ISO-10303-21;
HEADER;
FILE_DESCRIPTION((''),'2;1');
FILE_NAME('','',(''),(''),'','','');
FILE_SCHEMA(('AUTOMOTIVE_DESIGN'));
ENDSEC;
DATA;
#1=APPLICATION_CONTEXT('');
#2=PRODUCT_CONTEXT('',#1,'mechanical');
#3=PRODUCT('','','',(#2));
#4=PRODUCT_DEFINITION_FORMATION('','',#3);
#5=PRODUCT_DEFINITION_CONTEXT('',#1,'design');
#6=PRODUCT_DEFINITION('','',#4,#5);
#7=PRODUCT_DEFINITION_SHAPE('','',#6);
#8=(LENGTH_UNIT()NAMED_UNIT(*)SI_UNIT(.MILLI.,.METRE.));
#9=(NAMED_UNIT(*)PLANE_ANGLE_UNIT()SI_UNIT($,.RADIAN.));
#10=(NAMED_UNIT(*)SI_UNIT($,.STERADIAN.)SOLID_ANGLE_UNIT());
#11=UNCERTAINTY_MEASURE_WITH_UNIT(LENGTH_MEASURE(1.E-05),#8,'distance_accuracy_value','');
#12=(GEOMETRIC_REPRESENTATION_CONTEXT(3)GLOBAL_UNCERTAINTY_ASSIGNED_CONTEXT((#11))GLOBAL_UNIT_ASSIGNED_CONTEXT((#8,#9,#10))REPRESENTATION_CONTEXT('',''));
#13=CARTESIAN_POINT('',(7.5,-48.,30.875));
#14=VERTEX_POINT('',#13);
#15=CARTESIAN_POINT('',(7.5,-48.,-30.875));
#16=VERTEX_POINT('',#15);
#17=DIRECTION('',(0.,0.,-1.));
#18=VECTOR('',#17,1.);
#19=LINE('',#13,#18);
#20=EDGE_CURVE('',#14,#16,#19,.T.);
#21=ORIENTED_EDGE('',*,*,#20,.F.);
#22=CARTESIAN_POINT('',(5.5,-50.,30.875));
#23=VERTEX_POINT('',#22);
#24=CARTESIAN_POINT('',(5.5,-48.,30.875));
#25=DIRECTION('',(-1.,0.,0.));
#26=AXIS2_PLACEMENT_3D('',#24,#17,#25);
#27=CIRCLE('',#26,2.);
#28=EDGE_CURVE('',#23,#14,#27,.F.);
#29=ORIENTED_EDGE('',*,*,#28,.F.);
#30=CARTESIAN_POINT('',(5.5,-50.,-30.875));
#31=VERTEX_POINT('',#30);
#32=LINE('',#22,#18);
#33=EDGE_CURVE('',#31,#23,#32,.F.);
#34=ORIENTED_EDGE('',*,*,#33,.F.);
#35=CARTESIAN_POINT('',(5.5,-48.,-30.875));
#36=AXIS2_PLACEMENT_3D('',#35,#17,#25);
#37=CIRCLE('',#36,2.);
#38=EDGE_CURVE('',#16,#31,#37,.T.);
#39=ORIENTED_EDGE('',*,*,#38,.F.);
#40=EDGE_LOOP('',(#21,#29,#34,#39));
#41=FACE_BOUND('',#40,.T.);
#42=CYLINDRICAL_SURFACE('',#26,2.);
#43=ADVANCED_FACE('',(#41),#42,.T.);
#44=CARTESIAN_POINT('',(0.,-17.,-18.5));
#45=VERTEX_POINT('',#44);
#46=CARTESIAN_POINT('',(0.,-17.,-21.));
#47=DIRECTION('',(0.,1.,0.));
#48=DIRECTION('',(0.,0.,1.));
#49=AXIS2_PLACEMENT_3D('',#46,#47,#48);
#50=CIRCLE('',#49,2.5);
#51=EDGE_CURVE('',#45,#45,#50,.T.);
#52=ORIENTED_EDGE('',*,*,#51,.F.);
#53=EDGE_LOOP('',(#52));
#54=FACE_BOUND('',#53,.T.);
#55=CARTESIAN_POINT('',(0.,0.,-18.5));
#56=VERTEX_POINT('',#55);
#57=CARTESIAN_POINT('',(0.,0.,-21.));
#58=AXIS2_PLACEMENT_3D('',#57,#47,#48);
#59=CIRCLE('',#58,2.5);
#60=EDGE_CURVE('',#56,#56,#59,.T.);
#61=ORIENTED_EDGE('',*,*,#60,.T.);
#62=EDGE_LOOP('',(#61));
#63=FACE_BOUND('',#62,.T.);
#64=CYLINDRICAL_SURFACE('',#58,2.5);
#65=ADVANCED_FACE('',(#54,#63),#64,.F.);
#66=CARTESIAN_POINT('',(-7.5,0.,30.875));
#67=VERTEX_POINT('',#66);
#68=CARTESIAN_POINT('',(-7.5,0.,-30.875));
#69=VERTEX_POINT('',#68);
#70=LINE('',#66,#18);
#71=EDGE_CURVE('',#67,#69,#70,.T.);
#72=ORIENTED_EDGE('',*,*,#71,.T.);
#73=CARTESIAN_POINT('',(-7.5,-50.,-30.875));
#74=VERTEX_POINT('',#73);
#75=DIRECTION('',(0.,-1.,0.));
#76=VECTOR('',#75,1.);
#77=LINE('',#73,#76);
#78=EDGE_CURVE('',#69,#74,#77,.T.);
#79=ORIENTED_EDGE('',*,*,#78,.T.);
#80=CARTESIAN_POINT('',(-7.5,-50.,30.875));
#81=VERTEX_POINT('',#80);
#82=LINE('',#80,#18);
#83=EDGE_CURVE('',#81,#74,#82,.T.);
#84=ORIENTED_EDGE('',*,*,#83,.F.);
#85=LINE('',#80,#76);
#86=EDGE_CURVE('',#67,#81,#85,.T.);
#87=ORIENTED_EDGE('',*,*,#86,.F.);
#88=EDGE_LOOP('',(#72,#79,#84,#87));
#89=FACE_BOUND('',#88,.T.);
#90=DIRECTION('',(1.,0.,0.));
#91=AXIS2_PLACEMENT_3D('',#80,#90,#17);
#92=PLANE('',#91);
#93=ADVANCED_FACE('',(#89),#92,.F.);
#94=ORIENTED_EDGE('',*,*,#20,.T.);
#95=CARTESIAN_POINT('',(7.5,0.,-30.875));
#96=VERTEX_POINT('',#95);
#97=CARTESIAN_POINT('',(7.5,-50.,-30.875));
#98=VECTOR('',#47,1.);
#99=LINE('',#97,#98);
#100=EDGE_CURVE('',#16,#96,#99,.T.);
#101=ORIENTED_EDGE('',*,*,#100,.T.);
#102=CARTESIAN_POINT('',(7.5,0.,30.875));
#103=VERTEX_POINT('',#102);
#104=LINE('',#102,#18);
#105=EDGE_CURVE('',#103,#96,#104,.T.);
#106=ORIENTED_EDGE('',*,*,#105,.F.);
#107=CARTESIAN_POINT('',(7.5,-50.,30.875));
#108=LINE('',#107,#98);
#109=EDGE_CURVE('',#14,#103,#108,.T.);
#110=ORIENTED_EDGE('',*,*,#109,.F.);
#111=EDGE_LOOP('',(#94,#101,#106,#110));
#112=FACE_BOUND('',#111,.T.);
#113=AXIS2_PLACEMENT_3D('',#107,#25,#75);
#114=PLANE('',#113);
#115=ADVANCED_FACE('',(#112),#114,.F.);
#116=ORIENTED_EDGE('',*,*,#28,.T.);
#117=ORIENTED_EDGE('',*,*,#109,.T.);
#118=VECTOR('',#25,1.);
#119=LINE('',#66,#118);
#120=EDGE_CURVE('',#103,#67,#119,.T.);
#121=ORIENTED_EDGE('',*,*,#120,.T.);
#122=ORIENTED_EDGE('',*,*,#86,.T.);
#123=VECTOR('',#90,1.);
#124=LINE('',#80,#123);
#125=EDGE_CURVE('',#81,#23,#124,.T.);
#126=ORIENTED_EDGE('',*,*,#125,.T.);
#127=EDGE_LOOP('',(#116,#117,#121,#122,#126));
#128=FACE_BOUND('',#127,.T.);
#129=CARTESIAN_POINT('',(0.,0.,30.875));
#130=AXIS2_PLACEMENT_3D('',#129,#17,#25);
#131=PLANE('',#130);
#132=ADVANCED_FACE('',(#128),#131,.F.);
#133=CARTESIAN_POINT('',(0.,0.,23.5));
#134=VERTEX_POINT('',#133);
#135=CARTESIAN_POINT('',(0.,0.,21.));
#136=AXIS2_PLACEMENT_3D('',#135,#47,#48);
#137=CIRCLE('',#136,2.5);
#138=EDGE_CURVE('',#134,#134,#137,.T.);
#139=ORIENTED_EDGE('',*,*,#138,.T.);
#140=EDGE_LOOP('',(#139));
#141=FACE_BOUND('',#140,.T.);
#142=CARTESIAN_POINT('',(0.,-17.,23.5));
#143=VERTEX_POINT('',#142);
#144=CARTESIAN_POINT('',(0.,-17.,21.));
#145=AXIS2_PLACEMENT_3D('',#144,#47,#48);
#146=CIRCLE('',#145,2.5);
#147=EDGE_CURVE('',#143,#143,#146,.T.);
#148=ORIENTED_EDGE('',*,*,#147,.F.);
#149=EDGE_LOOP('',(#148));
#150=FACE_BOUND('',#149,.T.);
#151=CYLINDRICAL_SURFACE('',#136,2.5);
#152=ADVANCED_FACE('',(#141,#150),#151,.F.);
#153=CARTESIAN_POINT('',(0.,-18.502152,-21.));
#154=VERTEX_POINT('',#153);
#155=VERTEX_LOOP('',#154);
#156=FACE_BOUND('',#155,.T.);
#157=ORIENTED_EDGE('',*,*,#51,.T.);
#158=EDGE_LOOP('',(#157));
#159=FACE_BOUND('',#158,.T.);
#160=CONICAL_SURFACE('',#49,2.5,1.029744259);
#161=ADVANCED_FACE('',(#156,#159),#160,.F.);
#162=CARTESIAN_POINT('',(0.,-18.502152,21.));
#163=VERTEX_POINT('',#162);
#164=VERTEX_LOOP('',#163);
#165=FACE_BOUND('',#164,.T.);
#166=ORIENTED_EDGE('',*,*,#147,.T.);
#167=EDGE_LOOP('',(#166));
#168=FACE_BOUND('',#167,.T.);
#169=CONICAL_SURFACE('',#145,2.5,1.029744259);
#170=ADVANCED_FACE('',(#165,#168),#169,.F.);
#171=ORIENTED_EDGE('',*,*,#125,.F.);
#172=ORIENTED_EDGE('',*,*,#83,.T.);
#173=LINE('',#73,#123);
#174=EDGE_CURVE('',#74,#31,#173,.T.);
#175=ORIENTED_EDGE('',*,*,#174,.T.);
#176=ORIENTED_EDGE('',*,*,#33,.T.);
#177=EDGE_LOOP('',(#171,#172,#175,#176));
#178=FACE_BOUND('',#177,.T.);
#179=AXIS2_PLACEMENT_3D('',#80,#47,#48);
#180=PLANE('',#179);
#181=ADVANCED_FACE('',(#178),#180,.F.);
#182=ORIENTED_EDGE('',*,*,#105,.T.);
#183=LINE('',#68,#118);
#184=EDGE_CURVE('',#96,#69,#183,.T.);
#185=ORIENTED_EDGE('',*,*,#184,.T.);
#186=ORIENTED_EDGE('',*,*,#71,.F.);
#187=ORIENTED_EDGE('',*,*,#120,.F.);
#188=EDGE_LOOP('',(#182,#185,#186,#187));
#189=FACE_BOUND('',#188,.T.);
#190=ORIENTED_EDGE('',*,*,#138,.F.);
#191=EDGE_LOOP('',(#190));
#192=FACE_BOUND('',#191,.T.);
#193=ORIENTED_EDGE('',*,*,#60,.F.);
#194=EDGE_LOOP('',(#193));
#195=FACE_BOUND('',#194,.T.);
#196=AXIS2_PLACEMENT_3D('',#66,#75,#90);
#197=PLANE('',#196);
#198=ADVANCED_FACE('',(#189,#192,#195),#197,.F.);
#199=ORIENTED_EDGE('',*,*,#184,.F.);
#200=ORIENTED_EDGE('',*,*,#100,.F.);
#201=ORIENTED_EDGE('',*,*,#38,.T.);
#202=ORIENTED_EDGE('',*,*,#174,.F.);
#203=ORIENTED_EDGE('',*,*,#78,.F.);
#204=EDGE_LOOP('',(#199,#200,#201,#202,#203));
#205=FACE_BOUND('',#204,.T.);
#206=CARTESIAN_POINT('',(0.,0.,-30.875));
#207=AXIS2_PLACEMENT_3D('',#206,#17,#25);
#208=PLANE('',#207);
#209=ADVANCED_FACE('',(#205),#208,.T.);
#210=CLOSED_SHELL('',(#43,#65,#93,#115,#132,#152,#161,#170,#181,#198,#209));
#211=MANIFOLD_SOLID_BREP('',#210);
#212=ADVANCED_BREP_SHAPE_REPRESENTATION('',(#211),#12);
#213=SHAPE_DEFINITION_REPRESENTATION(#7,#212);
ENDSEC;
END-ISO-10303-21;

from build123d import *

# Parameters (mm, degrees)
SKETCH1_W             = 15
SKETCH1_H             = 50
BOSS_EXTRUDE1_DEPTH   = 30.875
FILLET1_R             = 2
M6_TAPPED_HOLE1_D     = 5
M6_TAPPED_HOLE1_DEPTH = 17
M6_TAPPED_HOLE1_TIP   = 1.502151548


with BuildPart() as part:
    # Sketch1 → Boss-Extrude1 (new, symmetric)
    with BuildSketch(Plane.XY):
        with Locations((0, -25)):
            Rectangle(SKETCH1_W, SKETCH1_H)
    extrude(amount=BOSS_EXTRUDE1_DEPTH, both=True)

    # Fillet1
    fillet1_edges = [part.edges().sort_by_distance(p)[0] for p in [
        (7.5, -50, 0),
    ]]
    fillet(fillet1_edges, radius=FILLET1_R)

    # M6 Tapped Hole1
    with Locations(Plane(origin=(0, 0, 0), x_dir=(1, 0, 0), z_dir=(0, 1, 0))):
        with Locations((0, 21), (0, -21)):
            Hole(M6_TAPPED_HOLE1_D / 2, depth=M6_TAPPED_HOLE1_DEPTH)
            with Locations((0, 0, -(M6_TAPPED_HOLE1_DEPTH + M6_TAPPED_HOLE1_TIP / 2))):  # 118° drill point
                Cone(0, M6_TAPPED_HOLE1_D / 2, M6_TAPPED_HOLE1_TIP, mode=Mode.SUBTRACT)


solid = part.part
